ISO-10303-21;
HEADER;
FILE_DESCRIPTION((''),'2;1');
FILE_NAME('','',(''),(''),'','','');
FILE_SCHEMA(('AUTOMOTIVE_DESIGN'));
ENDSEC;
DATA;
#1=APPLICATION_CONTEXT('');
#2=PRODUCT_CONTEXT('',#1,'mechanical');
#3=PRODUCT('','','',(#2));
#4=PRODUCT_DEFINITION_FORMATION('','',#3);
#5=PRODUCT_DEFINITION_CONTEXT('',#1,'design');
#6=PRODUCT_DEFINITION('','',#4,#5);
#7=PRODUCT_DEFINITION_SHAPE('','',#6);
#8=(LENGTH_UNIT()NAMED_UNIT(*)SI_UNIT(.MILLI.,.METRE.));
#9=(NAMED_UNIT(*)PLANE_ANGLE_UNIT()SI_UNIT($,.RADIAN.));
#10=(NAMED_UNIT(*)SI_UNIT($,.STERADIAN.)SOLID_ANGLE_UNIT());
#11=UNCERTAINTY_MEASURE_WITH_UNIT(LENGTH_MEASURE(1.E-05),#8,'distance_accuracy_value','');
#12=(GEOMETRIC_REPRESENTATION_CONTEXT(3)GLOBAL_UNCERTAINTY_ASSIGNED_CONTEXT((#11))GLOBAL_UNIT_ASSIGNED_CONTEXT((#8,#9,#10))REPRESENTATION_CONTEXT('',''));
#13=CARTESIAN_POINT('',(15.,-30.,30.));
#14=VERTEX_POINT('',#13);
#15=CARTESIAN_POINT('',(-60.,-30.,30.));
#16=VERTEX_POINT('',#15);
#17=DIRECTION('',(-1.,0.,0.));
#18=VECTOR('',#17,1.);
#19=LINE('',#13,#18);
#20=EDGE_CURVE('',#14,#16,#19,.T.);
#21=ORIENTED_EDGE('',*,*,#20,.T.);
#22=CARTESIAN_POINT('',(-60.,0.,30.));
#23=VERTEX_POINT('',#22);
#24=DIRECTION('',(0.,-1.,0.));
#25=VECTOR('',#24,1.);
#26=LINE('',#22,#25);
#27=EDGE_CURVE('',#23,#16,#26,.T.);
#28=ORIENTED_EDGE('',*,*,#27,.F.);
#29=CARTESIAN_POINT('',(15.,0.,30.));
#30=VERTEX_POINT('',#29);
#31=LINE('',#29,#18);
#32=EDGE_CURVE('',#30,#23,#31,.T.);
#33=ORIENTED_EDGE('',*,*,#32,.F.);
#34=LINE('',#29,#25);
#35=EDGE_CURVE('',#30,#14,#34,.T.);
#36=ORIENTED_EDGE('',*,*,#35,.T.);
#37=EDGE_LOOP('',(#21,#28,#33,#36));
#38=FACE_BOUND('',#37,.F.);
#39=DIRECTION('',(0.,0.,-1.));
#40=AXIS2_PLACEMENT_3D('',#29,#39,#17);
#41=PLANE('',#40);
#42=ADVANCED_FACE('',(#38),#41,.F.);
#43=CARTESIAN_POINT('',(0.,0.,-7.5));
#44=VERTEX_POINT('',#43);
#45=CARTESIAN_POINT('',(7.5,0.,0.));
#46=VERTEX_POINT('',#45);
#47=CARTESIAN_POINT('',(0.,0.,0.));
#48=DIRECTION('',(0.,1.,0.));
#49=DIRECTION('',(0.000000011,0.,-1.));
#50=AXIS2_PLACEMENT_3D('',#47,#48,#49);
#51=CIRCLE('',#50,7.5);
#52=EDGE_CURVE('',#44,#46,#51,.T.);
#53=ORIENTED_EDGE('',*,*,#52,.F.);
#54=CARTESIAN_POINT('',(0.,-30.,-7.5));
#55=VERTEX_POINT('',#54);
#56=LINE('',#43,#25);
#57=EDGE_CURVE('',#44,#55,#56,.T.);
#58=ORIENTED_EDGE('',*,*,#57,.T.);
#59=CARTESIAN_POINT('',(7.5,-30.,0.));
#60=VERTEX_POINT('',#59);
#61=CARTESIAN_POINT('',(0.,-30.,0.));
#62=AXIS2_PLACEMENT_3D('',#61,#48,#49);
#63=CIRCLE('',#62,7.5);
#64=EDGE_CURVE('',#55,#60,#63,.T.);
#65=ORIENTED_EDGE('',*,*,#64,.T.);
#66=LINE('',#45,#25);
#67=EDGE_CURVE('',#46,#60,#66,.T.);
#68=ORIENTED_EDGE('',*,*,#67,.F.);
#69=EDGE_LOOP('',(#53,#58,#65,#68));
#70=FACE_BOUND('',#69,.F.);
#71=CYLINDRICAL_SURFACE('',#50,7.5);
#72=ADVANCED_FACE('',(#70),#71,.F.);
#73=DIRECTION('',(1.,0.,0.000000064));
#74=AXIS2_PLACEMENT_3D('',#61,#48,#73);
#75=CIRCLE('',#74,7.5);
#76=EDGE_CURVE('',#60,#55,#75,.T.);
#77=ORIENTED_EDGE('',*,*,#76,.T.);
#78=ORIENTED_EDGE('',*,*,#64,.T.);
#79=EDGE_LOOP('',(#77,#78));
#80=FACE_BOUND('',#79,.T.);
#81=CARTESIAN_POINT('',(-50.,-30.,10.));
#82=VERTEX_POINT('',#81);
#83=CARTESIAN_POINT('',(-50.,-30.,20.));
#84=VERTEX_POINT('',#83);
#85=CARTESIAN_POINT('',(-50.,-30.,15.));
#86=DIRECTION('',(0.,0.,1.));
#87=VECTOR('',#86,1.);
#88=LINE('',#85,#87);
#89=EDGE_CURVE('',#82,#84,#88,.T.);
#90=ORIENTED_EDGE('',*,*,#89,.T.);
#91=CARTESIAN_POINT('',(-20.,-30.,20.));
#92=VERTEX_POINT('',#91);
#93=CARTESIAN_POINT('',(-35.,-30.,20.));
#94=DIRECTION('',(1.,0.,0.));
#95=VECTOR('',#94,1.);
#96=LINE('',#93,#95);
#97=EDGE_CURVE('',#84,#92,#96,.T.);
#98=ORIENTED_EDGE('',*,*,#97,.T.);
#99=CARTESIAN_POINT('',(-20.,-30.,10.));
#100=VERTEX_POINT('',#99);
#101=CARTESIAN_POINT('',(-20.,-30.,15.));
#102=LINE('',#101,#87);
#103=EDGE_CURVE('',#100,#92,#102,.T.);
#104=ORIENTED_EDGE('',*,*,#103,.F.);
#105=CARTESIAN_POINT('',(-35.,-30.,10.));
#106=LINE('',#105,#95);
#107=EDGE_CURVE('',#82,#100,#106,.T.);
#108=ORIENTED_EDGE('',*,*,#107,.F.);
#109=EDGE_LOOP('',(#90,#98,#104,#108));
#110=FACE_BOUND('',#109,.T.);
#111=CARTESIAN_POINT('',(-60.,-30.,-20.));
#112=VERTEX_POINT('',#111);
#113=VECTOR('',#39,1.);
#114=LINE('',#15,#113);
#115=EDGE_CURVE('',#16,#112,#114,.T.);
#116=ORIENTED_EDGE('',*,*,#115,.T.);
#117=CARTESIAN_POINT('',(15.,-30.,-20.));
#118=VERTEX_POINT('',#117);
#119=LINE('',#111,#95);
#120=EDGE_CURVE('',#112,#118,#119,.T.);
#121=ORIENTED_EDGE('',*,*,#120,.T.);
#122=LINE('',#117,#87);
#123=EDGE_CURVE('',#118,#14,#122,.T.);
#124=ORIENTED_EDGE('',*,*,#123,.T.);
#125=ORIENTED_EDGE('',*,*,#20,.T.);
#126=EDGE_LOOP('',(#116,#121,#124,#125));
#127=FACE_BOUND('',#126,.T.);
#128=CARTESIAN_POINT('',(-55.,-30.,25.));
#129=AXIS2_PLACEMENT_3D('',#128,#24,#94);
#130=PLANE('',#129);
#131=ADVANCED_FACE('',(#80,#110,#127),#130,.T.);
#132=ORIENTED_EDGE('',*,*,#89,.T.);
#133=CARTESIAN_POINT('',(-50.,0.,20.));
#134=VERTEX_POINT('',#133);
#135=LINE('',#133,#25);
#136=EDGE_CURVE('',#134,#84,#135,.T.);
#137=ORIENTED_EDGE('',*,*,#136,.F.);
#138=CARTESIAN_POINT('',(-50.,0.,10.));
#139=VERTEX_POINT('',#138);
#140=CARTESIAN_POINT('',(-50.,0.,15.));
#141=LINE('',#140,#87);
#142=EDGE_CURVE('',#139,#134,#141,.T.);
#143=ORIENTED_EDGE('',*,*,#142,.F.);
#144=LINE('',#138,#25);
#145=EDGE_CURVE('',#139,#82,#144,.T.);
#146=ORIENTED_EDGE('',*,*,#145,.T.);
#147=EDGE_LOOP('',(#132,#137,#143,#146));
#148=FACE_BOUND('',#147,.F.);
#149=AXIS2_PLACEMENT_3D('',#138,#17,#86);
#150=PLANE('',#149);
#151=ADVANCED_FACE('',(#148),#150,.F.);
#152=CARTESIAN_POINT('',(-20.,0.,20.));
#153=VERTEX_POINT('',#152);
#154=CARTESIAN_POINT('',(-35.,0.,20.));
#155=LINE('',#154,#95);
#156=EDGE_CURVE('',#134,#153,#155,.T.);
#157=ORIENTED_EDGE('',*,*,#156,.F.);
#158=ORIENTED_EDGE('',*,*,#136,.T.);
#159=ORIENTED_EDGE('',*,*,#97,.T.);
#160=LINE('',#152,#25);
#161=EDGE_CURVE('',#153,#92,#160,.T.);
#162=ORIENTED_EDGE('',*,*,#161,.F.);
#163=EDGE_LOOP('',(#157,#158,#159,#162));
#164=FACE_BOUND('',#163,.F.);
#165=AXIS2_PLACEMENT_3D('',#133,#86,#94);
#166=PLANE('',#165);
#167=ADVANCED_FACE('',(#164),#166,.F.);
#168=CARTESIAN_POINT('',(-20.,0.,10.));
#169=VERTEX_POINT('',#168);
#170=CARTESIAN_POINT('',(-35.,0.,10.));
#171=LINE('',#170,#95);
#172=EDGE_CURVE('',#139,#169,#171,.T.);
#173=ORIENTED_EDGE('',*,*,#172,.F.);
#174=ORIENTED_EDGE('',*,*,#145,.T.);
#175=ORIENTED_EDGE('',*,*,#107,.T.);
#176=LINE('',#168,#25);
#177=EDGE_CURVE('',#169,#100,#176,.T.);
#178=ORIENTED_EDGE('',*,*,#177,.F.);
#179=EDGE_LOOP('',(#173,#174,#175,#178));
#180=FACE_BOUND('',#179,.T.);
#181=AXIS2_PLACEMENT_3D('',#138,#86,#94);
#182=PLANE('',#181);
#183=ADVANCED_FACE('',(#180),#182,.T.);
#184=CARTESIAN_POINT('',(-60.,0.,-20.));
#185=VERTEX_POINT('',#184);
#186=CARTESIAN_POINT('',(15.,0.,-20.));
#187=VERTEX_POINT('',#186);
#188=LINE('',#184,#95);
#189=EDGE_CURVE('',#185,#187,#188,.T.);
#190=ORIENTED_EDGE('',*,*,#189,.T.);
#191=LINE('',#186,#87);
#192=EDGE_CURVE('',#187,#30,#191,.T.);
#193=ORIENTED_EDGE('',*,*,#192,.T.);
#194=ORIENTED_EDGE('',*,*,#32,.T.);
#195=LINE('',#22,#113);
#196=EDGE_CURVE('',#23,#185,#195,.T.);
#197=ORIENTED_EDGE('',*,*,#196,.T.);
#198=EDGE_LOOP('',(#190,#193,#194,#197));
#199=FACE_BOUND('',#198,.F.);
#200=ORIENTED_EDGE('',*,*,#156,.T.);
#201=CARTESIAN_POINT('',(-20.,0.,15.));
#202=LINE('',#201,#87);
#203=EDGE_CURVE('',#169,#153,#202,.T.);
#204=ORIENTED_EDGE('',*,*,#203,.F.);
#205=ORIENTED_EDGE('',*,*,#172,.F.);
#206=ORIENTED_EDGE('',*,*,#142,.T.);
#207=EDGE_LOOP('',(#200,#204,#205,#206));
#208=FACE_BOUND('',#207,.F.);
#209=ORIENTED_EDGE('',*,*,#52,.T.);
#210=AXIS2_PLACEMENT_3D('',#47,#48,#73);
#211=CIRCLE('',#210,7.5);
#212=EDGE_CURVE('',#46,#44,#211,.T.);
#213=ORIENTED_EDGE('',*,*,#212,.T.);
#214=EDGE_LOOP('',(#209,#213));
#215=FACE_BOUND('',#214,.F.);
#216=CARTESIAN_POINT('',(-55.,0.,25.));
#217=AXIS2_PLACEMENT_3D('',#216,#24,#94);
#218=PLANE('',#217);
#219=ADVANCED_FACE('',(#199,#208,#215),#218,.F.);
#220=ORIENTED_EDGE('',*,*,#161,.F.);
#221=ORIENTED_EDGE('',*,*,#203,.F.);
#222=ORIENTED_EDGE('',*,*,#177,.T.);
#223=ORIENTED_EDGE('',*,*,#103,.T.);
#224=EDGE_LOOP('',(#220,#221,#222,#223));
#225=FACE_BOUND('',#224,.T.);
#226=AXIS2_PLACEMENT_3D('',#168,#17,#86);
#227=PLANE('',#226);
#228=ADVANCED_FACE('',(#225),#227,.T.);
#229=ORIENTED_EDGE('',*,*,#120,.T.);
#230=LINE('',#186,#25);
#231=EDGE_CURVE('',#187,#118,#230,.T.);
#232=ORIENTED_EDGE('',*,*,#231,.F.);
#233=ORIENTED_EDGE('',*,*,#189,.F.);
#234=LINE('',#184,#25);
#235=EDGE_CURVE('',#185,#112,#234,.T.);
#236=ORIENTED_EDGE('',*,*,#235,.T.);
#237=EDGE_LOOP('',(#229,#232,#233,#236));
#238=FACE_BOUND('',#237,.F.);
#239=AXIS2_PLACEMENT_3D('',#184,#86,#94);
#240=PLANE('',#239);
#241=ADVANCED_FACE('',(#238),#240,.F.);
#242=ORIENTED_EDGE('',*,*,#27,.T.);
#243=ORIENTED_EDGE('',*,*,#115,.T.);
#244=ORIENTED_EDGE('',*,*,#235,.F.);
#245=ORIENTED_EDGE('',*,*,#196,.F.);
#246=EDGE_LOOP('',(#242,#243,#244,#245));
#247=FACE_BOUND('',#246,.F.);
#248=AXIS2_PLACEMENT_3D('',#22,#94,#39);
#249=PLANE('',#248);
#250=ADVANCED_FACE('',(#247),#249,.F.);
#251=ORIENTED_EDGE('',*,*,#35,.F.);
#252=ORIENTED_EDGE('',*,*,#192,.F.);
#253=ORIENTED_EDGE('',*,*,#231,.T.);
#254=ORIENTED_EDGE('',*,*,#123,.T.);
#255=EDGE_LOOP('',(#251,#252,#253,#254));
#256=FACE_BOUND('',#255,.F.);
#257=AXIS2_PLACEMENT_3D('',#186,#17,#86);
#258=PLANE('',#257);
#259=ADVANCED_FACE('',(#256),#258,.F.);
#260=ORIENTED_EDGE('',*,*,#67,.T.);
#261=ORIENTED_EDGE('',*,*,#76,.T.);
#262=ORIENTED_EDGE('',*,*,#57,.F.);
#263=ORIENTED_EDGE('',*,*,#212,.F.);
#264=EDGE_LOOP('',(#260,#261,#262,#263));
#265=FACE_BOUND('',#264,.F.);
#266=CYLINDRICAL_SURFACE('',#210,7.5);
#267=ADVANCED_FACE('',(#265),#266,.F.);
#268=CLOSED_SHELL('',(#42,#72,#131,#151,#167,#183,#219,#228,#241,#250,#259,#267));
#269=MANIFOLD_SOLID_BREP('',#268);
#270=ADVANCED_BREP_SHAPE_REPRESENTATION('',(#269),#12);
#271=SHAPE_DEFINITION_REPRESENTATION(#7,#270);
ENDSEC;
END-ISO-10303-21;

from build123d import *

# Parameters (mm, degrees)
F0_W     = 10
F0_H     = 10
F0_W_2   = 30
F1_DEPTH = 30


with BuildPart() as f1:
    # F0 (on Front) → F1 (new body)
    with BuildSketch(Plane.XZ):
        with Locations((-55, 25)):
            Rectangle(F0_W, F0_H)
        with BuildLine():
            Line((15, 0), (7.5, 0))
            ThreePointArc((7.5, 0), (5.303301, -5.303301), (0, -7.5))
            Line((0, -7.5), (0, -20))
            Line((0, -20), (15, -20))
            Line((15, -20), (15, 0))
        make_face()
        with BuildLine():
            ThreePointArc((0, -7.5), (-5.303301, 5.303301), (7.5, 0))
            Line((7.5, 0), (15, 0))
            Line((15, 0), (15, 30))
            Line((15, 30), (-50, 30))
            Line((-50, 30), (-50, 20))
            Line((-50, 20), (-60, 20))
            Line((-60, 20), (-60, -20))
            Line((-60, -20), (0, -20))
            Line((0, -20), (0, -7.5))
        make_face()
        with Locations((-35, 15)):
            Rectangle(F0_W_2, F0_H, mode=Mode.SUBTRACT)
    extrude(amount=F1_DEPTH)


solid = f1.part
